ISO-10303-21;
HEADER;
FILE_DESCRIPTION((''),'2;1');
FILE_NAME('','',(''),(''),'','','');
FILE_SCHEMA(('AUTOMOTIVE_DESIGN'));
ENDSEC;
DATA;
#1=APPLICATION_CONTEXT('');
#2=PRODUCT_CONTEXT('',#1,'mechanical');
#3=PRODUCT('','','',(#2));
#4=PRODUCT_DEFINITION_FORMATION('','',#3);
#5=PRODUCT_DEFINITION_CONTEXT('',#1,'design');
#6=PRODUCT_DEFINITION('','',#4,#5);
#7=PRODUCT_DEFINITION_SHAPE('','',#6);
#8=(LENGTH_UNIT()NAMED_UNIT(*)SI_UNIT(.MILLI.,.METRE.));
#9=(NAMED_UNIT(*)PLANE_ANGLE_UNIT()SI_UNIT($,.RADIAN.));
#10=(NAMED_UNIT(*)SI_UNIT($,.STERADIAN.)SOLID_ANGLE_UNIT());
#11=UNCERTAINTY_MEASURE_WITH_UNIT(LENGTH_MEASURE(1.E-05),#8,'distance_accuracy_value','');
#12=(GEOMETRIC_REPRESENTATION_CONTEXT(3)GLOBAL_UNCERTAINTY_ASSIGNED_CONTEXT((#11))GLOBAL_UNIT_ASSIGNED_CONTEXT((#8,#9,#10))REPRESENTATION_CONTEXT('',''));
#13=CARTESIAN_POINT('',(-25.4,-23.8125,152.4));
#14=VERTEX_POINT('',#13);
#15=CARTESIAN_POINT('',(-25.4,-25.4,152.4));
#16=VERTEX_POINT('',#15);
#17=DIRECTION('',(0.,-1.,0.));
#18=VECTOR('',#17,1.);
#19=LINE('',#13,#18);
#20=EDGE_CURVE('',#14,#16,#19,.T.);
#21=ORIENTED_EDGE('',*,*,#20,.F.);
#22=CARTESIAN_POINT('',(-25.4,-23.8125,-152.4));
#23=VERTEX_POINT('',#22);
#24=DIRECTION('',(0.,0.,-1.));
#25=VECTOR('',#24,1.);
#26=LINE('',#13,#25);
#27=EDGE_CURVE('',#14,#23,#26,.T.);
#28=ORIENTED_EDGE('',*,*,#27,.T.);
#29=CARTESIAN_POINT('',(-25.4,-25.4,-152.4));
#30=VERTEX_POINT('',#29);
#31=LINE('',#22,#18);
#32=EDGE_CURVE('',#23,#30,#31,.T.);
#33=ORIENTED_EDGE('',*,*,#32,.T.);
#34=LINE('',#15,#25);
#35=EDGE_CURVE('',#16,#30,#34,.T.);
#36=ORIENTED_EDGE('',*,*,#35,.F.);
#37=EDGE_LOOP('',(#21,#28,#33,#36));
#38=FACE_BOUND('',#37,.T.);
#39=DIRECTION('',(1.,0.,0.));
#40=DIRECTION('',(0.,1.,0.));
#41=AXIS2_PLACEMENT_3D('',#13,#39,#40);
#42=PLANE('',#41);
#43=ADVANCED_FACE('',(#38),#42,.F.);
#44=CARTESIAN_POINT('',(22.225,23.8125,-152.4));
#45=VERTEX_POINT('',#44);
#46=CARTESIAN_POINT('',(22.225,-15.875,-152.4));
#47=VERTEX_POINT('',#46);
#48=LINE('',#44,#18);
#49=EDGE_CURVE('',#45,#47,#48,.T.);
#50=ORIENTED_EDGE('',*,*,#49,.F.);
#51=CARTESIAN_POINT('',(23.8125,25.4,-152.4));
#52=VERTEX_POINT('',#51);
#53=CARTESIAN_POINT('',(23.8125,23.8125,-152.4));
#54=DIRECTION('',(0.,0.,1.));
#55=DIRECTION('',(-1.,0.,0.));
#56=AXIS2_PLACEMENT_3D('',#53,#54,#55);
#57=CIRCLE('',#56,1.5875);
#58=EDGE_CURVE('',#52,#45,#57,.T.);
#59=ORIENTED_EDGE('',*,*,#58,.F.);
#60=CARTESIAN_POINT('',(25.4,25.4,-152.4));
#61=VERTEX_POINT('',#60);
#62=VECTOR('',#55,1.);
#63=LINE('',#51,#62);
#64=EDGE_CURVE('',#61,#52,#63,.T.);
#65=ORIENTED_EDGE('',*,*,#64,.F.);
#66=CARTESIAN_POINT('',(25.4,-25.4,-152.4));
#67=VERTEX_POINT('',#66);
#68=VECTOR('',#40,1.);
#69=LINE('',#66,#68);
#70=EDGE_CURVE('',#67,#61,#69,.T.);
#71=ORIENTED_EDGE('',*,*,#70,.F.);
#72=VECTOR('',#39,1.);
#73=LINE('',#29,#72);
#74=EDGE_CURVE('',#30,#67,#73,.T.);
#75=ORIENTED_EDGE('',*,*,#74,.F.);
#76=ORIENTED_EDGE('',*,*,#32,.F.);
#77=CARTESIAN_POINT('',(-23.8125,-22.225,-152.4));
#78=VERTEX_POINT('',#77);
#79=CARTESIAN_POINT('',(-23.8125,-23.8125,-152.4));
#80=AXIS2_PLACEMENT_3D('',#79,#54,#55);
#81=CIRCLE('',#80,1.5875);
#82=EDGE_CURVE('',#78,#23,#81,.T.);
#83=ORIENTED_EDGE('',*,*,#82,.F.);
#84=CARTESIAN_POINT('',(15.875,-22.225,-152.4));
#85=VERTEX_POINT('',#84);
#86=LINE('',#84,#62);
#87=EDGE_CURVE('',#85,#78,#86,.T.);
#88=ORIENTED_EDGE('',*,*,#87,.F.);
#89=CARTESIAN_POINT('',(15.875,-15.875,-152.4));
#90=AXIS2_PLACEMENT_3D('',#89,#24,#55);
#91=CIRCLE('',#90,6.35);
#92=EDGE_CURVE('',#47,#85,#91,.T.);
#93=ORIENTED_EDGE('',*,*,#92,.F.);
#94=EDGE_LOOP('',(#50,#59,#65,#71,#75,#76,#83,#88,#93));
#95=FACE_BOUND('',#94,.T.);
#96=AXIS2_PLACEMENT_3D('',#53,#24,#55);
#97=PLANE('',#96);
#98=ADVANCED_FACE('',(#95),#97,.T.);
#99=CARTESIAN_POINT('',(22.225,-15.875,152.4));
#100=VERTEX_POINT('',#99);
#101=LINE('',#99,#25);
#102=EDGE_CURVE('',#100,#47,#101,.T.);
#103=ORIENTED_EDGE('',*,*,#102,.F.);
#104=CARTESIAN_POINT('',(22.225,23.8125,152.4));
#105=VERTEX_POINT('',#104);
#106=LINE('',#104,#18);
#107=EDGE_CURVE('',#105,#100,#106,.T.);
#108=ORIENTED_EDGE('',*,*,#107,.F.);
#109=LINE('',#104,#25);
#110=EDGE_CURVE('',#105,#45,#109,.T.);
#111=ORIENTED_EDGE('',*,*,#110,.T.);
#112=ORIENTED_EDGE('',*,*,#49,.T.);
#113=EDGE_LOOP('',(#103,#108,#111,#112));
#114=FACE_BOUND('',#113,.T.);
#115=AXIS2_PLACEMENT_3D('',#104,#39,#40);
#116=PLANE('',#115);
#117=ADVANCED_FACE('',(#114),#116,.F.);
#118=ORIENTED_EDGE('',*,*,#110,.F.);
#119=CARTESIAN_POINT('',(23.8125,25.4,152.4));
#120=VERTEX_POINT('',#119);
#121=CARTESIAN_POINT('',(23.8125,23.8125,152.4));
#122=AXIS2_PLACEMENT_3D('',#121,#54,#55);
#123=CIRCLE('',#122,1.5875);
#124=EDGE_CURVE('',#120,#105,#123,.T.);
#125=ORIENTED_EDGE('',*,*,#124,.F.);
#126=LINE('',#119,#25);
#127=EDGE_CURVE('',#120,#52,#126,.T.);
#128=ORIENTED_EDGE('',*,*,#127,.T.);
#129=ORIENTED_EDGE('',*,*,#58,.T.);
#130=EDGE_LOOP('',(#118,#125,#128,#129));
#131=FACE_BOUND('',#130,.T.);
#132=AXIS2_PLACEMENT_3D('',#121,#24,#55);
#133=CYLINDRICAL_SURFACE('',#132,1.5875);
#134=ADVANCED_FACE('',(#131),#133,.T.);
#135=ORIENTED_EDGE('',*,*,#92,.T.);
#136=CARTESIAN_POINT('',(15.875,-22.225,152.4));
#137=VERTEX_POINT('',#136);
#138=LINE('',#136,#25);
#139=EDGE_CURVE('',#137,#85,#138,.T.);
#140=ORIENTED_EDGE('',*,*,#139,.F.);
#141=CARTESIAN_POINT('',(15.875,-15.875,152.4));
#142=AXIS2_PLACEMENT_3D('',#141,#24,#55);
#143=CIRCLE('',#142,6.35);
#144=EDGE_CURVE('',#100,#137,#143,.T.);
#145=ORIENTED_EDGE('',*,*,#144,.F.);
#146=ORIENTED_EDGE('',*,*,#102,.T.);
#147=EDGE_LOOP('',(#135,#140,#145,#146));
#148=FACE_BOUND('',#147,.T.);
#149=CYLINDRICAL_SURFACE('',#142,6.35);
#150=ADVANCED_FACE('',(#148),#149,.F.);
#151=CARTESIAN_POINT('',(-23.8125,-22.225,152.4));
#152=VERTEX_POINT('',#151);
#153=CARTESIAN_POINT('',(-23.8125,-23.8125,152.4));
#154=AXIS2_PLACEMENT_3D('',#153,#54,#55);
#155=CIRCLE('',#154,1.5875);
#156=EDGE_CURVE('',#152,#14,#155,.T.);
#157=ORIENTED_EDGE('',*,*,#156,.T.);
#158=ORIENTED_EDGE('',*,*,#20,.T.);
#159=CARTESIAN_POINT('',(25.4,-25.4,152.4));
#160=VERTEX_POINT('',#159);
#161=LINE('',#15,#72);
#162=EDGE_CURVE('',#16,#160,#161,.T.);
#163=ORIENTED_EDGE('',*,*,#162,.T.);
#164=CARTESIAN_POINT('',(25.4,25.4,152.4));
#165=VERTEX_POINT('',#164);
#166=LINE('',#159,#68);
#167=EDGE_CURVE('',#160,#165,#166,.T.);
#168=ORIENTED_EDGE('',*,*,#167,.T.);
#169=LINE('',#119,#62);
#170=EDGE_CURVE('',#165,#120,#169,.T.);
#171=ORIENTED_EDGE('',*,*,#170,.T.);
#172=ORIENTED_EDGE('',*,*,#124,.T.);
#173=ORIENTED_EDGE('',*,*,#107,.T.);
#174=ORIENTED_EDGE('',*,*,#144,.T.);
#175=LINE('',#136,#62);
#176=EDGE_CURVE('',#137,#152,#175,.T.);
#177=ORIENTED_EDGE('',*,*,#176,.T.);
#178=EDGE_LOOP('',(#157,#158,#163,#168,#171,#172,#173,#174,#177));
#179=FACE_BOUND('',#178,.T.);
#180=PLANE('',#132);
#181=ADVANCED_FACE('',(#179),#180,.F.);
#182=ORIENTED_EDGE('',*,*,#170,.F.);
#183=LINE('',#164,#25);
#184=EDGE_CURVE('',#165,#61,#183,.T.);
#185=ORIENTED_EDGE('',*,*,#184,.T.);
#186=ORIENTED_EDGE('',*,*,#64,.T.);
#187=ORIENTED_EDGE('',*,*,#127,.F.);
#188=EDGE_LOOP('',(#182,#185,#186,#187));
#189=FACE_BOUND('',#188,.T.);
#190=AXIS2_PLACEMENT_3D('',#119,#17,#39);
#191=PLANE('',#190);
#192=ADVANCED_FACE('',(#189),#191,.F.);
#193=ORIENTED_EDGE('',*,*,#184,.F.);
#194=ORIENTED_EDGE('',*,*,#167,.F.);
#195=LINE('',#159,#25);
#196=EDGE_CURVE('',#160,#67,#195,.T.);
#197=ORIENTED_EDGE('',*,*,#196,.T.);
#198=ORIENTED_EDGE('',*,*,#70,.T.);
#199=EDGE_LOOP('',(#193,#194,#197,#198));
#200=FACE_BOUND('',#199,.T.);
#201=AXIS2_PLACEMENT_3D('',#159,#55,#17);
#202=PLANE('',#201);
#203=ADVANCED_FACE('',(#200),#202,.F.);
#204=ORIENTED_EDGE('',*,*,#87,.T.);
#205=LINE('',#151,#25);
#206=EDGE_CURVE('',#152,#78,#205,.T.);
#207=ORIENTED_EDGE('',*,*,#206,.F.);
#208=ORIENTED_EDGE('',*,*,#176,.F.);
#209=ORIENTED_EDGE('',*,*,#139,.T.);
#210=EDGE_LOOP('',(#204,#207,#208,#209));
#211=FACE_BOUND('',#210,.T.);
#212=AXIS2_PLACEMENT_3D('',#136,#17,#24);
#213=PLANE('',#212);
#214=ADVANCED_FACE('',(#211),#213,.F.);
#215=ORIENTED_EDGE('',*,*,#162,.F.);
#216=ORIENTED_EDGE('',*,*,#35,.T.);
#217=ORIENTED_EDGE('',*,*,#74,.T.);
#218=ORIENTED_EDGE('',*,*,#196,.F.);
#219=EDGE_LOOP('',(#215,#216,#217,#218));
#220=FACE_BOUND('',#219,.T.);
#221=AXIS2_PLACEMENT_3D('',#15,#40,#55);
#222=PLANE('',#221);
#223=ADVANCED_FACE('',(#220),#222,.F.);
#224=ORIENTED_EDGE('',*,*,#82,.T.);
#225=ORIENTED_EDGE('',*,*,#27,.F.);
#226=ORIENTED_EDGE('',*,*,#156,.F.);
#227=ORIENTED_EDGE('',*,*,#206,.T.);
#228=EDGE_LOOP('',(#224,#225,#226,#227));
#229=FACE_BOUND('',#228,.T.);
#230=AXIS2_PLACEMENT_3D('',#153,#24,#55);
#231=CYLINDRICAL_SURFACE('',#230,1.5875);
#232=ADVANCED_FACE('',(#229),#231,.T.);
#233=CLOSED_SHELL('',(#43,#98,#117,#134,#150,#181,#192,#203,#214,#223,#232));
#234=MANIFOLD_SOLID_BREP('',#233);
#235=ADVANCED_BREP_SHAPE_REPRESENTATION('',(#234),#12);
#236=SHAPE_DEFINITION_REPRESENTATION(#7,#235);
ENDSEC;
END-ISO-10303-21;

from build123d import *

# Parameters (mm, degrees)
BOSS_EXTRUDE1_DEPTH = 152.4


with BuildPart() as part:
    # Sketch2 → Boss-Extrude1 (new, symmetric)
    with BuildSketch(Plane.XY):
        with BuildLine():
            Line((-25.4, -25.4), (25.4, -25.4))
            Line((25.4, -25.4), (25.4, 25.4))
            Line((25.4, 25.4), (23.8125, 25.4))
            ThreePointArc((23.8125, 25.4), (22.689967985, 24.935032015), (22.225, 23.8125))
            Line((22.225, 23.8125), (22.225, -15.875))
            ThreePointArc((22.225, -15.875), (20.365128061, -20.365128061), (15.875, -22.225))
            Line((15.875, -22.225), (-23.8125, -22.225))
            ThreePointArc((-23.8125, -22.225), (-24.935032015, -22.689967985), (-25.4, -23.8125))
            Line((-25.4, -23.8125), (-25.4, -25.4))
        make_face()
    extrude(amount=BOSS_EXTRUDE1_DEPTH, both=True)


solid = part.part
